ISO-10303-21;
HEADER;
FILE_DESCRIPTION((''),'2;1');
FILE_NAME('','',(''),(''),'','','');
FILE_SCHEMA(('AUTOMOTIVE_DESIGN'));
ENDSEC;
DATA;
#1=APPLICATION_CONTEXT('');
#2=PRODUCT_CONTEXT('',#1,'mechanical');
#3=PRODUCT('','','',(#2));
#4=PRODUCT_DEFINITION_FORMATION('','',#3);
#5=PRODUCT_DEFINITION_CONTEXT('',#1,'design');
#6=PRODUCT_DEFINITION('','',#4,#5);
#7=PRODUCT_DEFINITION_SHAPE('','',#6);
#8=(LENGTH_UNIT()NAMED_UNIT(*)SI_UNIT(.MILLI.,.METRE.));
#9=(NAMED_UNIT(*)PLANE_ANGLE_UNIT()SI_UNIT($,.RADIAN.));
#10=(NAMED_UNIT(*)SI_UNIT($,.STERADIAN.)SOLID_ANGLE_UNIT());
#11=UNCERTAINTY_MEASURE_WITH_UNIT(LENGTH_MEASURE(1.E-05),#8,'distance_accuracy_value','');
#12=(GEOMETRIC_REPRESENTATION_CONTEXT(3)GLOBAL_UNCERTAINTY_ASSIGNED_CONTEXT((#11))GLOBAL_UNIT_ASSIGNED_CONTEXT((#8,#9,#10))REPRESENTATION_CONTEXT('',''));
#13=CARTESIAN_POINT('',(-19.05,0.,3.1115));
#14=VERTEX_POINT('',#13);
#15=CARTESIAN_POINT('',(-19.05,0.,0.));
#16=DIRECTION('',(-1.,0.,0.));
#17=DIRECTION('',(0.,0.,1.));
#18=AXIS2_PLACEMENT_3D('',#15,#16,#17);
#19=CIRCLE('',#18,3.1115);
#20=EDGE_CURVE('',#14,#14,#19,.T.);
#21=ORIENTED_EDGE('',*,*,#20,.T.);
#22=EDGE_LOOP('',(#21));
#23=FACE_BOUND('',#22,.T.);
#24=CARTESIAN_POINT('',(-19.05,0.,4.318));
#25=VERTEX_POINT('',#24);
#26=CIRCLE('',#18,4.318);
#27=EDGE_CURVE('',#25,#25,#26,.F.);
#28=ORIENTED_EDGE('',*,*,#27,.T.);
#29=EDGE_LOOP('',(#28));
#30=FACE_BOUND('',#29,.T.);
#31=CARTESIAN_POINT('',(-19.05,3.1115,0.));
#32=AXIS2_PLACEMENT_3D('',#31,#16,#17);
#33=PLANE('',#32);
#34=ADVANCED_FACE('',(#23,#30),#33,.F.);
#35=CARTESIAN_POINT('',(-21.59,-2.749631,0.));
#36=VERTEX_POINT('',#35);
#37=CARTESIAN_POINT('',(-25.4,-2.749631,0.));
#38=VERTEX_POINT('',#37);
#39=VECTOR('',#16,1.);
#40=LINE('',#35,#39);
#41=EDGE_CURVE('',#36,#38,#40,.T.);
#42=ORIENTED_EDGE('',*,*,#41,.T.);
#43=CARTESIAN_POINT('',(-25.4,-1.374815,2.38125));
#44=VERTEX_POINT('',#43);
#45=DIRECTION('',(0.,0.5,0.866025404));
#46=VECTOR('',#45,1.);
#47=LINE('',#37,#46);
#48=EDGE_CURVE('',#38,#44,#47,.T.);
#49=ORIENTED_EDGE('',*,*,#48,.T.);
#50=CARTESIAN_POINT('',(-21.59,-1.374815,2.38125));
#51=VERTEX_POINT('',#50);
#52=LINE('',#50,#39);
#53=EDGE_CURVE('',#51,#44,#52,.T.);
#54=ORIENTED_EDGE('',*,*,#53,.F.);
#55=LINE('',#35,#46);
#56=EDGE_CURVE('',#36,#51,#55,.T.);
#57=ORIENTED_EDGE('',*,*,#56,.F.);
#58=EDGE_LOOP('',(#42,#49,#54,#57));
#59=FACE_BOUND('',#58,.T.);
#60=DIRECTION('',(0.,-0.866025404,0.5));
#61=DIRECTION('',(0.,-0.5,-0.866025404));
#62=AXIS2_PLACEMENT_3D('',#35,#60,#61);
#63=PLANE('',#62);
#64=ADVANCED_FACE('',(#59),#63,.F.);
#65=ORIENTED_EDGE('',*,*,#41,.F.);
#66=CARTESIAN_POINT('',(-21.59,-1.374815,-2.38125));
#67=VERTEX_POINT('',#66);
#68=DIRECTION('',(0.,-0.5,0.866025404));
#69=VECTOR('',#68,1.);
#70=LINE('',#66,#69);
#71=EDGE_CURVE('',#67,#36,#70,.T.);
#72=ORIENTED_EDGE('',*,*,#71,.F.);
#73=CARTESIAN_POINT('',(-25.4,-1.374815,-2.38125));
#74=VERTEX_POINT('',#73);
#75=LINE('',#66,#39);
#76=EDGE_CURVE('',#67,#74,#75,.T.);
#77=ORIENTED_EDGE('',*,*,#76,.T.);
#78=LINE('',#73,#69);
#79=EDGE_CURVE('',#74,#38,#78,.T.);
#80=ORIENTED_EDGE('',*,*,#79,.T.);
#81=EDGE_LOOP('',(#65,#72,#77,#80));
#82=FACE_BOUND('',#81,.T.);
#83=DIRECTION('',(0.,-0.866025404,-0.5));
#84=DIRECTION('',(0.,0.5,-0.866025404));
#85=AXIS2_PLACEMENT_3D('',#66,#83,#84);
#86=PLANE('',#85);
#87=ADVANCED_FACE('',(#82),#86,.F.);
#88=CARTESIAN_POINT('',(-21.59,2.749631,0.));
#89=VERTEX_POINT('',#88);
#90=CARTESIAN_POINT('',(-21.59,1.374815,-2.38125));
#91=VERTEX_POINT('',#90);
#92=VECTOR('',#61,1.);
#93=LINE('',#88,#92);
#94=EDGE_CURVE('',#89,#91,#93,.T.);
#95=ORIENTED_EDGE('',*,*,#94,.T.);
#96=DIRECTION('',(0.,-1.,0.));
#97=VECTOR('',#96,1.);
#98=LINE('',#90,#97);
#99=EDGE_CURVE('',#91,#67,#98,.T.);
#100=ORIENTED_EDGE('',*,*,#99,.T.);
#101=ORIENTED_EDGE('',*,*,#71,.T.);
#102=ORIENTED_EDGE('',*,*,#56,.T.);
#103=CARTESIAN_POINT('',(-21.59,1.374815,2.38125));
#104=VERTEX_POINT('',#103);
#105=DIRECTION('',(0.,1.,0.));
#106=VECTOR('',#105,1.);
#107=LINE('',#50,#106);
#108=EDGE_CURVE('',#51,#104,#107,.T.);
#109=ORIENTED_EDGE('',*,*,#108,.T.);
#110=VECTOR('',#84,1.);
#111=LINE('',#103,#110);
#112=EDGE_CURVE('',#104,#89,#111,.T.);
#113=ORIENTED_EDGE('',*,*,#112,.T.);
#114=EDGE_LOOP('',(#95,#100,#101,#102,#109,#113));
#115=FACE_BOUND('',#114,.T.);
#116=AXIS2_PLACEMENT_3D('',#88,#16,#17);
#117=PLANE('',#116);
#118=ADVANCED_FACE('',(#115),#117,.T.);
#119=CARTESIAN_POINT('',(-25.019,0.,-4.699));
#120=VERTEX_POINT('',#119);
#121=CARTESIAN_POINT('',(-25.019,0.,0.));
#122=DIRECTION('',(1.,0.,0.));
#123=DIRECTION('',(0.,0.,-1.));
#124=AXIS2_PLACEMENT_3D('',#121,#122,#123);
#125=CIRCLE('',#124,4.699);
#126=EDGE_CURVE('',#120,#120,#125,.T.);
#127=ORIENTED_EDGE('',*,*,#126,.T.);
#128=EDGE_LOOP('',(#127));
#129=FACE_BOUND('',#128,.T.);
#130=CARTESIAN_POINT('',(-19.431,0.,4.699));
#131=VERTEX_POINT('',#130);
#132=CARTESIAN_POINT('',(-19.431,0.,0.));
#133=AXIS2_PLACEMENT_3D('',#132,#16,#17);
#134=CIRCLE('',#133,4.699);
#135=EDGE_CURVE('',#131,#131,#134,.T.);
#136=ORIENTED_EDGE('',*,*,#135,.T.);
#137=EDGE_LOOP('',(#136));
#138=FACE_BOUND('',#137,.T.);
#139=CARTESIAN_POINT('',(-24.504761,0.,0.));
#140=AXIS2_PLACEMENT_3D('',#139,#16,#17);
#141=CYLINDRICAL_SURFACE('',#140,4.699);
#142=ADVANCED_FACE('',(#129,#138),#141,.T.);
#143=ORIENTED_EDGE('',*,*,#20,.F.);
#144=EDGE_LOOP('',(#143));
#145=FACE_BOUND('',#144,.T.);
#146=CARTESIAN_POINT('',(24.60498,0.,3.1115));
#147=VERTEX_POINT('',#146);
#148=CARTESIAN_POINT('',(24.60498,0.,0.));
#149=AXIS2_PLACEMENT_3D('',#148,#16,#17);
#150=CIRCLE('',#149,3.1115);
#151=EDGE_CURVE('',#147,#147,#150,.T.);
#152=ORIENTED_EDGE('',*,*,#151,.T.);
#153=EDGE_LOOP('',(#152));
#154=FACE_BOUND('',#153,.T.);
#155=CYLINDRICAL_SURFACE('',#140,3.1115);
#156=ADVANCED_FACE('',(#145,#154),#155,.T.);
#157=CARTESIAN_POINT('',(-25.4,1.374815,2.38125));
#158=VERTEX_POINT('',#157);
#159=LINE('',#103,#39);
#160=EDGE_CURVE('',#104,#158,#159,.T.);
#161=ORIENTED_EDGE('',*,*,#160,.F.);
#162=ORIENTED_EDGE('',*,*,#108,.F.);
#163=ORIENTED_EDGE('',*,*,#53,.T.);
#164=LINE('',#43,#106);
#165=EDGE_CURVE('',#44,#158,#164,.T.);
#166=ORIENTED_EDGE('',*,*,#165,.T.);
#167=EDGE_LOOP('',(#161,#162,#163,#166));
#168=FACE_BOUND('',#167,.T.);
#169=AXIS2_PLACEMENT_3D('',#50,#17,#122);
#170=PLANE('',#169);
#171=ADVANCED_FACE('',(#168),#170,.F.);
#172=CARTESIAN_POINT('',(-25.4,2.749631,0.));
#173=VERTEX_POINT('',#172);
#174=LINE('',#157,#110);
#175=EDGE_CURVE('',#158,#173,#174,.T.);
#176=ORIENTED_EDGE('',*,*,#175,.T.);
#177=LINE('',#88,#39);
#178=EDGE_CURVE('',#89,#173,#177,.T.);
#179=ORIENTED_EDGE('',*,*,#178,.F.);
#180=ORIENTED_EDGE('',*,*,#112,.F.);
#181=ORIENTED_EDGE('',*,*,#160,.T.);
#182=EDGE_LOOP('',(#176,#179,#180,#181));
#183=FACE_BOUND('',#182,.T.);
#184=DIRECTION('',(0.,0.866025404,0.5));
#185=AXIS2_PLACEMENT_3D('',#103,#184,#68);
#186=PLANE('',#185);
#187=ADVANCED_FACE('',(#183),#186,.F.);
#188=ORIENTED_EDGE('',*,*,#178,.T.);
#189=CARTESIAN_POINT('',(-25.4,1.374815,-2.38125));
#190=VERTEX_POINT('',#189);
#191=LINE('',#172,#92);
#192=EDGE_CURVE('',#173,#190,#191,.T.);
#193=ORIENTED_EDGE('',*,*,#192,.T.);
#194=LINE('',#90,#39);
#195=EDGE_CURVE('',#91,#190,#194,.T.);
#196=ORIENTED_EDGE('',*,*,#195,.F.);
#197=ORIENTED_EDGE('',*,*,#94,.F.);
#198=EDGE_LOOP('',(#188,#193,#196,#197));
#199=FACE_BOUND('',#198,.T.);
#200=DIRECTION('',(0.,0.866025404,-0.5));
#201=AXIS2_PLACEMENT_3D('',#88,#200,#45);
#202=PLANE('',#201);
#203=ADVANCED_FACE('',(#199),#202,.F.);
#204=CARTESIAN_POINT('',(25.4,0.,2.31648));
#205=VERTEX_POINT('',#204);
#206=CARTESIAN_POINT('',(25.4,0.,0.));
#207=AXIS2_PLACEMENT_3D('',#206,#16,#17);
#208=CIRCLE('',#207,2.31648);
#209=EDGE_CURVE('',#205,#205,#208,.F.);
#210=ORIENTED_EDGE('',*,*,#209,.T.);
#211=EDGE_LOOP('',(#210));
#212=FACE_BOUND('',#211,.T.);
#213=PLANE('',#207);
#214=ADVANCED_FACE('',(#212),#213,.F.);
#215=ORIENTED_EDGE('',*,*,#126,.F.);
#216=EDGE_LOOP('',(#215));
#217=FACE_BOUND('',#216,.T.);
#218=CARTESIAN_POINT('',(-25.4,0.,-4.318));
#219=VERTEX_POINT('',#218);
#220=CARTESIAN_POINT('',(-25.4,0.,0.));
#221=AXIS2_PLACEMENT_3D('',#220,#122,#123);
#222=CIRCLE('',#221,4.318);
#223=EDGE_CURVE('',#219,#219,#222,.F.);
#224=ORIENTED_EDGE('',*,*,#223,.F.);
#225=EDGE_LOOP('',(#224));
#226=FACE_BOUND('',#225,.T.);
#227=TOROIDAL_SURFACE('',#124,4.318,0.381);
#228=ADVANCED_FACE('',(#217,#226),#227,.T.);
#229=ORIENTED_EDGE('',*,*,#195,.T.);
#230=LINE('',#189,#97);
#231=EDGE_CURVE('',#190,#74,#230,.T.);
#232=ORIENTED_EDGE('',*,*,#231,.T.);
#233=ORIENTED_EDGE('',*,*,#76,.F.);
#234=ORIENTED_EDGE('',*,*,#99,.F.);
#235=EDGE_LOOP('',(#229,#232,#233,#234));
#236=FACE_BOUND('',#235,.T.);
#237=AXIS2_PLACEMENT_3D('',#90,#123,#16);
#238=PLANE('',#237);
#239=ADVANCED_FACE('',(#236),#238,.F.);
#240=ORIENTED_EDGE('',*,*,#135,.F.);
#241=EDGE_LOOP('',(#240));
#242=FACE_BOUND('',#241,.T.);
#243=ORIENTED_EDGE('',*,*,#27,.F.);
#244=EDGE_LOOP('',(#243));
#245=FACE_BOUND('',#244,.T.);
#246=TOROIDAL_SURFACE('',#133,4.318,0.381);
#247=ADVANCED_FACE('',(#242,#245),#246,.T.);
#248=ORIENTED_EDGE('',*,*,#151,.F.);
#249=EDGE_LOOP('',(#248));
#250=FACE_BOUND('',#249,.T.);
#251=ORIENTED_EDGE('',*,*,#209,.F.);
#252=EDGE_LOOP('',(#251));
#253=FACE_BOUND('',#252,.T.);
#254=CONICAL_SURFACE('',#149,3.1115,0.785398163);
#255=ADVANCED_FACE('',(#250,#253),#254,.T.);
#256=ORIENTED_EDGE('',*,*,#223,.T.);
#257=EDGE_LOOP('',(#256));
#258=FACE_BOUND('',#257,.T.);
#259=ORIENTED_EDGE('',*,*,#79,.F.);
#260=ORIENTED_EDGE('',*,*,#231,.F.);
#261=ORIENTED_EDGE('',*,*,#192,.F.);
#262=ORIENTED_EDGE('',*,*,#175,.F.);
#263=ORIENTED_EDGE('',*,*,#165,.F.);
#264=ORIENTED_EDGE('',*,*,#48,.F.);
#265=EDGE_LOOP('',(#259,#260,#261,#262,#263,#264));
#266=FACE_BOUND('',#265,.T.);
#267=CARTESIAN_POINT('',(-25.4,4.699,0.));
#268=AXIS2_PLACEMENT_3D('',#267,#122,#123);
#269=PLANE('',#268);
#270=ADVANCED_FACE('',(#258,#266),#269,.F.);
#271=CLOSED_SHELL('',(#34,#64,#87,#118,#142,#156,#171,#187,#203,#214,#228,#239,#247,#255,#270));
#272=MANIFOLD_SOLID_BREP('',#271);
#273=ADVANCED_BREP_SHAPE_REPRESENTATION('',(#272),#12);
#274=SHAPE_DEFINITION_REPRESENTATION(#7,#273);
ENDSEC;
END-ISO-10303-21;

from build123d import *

# Parameters (mm, degrees)
EXTRUDE1_DEPTH = 3.81
FILLET1_R      = 0.381
CHAMFER1_SIZE  = 0.79502


with BuildPart() as part:
    # Sketch1 → Revolve1 (revolve)
    with BuildSketch(Plane.XY):
        Polygon((25.4, 0), (25.4, 3.1115), (-19.05, 3.1115), (-19.05, 4.699), (-25.4, 4.699), (-25.4, 0), align=None)
    revolve(axis=Axis((-24.504761338, 0, 0), (1, 0, 0)))

    # Sketch2 → Extrude1 (cut)
    with BuildSketch(Plane.ZY.offset(25.4)):
        Polygon((0, 2.749630657), (-2.38125, 1.374815329), (-2.38125, -1.374815329), (0, -2.749630657), (2.38125, -1.374815329), (2.38125, 1.374815329), align=None)
    extrude(amount=-EXTRUDE1_DEPTH, mode=Mode.SUBTRACT)

    # Fillet1
    fillet1_edges = [part.edges().sort_by_distance(p)[0] for p in [
        (-25.4, -4.699, 0),
        (-19.05, -4.699, 0),
    ]]
    fillet(fillet1_edges, radius=FILLET1_R)

    # Chamfer1
    chamfer1_edges = [part.edges().sort_by_distance(p)[0] for p in [
        (25.4, -3.1115, 0),
    ]]
    chamfer(chamfer1_edges, length=CHAMFER1_SIZE)


solid = part.part
